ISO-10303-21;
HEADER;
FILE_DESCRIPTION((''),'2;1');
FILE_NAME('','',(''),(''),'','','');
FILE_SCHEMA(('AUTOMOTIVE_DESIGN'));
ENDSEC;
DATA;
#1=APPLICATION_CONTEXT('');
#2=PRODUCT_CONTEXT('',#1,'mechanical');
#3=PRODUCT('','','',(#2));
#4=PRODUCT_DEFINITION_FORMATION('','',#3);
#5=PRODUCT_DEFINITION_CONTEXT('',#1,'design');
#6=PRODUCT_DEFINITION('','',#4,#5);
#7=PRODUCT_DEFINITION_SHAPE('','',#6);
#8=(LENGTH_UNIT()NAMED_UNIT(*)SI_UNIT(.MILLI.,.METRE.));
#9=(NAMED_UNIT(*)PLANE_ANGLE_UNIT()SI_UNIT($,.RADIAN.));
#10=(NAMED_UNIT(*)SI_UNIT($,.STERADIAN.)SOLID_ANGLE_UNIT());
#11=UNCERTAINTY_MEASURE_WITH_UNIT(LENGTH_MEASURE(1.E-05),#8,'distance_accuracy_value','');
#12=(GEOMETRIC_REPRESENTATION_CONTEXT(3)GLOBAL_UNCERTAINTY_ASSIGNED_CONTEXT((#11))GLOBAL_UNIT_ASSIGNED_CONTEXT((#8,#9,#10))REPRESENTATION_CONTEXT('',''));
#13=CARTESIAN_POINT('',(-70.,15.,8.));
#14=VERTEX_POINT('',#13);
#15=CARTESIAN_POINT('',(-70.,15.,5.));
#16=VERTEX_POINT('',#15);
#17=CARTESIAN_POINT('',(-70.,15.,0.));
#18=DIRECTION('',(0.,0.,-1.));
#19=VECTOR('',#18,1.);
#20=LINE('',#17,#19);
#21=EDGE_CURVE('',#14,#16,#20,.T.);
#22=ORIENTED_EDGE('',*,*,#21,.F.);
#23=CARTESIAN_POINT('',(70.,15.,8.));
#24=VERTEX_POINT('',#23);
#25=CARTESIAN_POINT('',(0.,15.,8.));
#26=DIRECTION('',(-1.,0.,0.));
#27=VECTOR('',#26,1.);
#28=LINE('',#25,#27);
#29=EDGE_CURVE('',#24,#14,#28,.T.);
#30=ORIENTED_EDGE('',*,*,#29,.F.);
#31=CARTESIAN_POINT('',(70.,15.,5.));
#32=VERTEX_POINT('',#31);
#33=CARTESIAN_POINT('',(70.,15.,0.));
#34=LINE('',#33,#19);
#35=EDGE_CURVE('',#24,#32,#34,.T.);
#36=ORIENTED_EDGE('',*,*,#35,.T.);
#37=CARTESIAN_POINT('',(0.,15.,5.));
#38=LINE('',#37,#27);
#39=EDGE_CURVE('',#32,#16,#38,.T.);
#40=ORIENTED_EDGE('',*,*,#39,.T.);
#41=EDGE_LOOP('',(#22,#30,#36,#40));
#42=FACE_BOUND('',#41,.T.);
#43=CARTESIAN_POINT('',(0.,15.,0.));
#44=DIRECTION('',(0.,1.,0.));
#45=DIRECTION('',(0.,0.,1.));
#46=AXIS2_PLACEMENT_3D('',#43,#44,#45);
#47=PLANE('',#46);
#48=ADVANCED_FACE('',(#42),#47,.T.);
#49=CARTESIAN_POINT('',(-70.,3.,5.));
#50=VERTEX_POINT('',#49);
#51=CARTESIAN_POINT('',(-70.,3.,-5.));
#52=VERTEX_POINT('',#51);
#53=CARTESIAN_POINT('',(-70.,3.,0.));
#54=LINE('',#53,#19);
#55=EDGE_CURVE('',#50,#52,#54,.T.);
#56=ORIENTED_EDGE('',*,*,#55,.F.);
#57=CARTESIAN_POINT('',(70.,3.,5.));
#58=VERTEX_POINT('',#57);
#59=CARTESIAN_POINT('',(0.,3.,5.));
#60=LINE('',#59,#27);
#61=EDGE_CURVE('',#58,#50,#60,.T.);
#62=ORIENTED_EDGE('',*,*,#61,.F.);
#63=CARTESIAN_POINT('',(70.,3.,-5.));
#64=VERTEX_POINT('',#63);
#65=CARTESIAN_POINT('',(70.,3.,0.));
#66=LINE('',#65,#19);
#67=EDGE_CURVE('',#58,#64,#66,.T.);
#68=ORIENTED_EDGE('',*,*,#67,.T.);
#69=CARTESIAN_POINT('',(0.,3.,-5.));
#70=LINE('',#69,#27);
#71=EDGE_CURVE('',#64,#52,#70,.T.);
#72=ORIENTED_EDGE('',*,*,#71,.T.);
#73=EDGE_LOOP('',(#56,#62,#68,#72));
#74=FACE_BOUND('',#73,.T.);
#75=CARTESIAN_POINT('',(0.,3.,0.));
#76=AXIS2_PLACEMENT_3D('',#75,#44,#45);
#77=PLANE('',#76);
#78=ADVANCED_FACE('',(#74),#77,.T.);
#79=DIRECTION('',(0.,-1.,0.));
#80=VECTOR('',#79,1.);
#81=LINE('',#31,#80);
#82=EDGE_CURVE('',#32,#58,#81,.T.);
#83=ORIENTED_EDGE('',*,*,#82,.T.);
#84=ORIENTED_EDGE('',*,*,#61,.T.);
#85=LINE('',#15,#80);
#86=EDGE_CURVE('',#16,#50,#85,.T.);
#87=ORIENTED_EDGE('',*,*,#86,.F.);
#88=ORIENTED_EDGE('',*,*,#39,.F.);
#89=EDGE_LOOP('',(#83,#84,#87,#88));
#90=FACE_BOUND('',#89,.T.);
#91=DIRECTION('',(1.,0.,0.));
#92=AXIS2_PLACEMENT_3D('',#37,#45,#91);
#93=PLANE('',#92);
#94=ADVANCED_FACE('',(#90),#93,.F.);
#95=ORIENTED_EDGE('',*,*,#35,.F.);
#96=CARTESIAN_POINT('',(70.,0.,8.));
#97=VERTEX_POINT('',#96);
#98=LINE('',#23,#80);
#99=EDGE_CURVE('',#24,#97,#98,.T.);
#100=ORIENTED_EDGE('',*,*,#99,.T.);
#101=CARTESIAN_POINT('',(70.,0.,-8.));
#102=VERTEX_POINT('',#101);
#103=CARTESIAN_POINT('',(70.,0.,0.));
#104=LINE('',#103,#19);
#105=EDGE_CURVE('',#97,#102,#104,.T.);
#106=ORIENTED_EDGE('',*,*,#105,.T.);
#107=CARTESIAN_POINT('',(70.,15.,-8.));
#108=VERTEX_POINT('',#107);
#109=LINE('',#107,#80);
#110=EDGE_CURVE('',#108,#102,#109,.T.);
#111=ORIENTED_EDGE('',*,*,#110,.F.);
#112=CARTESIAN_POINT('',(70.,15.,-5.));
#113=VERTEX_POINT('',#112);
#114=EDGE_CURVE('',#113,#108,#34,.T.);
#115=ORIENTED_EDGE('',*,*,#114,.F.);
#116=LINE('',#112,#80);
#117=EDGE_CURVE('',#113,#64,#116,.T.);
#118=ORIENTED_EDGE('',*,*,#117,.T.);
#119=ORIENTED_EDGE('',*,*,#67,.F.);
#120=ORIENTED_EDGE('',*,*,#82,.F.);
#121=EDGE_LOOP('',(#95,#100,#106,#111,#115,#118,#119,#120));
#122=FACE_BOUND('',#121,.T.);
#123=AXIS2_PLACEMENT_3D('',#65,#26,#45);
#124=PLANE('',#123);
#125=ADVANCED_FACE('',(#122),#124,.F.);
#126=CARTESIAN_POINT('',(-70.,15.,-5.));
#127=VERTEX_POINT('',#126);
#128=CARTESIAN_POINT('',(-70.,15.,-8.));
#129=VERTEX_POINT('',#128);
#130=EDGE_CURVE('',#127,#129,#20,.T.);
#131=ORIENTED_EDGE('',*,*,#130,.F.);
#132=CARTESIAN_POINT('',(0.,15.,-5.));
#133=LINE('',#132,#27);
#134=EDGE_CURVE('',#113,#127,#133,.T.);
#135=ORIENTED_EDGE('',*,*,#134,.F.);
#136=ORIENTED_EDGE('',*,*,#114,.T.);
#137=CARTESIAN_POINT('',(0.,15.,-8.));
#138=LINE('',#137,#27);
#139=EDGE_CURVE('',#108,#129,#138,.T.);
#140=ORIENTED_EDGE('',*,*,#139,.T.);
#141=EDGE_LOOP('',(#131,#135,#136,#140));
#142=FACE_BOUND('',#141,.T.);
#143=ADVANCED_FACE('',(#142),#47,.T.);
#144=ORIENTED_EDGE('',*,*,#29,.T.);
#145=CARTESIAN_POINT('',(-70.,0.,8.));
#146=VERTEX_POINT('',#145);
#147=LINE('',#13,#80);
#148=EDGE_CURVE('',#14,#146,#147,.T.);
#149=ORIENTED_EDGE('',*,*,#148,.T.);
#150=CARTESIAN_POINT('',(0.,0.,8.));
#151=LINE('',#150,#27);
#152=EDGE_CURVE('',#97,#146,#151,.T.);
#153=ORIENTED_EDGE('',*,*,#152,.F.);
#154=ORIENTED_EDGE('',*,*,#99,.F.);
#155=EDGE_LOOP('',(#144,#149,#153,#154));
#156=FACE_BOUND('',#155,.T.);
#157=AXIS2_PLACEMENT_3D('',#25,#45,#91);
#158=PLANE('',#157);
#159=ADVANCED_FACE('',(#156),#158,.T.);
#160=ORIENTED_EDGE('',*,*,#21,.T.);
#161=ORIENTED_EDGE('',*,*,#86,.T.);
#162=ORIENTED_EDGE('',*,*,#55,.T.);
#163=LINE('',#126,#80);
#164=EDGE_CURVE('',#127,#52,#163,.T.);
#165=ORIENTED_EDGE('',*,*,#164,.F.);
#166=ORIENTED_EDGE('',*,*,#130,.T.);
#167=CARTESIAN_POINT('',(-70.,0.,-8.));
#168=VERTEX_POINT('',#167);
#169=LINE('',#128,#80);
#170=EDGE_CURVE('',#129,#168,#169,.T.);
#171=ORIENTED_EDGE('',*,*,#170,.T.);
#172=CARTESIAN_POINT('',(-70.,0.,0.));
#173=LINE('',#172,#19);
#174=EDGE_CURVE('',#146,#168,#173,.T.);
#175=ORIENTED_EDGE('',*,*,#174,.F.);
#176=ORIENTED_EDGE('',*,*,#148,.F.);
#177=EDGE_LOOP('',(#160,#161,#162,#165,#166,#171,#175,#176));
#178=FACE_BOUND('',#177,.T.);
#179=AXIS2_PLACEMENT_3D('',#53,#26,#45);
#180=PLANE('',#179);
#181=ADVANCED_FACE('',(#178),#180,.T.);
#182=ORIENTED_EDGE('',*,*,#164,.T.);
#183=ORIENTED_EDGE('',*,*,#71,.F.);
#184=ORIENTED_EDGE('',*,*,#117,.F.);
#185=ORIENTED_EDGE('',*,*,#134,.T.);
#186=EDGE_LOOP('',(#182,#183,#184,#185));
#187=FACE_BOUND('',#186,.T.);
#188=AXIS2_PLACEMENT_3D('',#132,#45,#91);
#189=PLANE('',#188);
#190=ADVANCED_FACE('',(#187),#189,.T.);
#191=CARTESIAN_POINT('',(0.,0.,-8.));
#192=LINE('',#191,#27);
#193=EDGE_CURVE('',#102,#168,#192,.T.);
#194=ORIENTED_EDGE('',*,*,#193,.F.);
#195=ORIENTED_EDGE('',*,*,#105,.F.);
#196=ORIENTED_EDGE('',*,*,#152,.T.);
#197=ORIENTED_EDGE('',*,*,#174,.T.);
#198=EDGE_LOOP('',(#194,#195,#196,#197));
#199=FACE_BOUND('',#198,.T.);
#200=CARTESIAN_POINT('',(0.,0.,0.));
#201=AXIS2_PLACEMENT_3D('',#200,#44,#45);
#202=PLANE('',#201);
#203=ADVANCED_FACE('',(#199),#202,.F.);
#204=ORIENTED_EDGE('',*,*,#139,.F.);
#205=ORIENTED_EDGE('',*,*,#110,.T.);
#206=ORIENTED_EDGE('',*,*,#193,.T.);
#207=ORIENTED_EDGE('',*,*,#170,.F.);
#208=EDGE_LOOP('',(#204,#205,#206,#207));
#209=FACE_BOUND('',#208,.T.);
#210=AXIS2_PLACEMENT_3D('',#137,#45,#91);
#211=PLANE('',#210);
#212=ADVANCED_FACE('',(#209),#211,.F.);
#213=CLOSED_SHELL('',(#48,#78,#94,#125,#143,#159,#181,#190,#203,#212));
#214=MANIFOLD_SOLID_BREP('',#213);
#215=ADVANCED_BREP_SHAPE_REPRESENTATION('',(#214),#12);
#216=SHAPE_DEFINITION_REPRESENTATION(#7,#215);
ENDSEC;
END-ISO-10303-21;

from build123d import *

# Parameters (mm, degrees)
SKETCH3_W           = 140
SKETCH3_H           = 10
BOSS_EXTRUDE2_DEPTH = 3
SKETCH3_3_W         = 140
SKETCH3_3_H         = 3
BOSS_EXTRUDE3_DEPTH = 15


with BuildPart() as part:
    # Sketch3 → Boss-Extrude2 (new body)
    with BuildSketch(Plane(origin=(0, 0, 0), x_dir=(1, 0, 0), z_dir=(0, 1, 0))):
        Rectangle(SKETCH3_W, SKETCH3_H)
    extrude(amount=BOSS_EXTRUDE2_DEPTH)

    # Sketch3<3> → Boss-Extrude3 (add)
    with BuildSketch(Plane(origin=(0, 0, 0), x_dir=(1, 0, 0), z_dir=(0, 1, 0))):
        with Locations((0, -6.5)):
            Rectangle(SKETCH3_3_W, SKETCH3_3_H)
        with Locations((0, 6.5)):
            Rectangle(SKETCH3_3_W, SKETCH3_3_H)
    extrude(amount=BOSS_EXTRUDE3_DEPTH)


solid = part.part
